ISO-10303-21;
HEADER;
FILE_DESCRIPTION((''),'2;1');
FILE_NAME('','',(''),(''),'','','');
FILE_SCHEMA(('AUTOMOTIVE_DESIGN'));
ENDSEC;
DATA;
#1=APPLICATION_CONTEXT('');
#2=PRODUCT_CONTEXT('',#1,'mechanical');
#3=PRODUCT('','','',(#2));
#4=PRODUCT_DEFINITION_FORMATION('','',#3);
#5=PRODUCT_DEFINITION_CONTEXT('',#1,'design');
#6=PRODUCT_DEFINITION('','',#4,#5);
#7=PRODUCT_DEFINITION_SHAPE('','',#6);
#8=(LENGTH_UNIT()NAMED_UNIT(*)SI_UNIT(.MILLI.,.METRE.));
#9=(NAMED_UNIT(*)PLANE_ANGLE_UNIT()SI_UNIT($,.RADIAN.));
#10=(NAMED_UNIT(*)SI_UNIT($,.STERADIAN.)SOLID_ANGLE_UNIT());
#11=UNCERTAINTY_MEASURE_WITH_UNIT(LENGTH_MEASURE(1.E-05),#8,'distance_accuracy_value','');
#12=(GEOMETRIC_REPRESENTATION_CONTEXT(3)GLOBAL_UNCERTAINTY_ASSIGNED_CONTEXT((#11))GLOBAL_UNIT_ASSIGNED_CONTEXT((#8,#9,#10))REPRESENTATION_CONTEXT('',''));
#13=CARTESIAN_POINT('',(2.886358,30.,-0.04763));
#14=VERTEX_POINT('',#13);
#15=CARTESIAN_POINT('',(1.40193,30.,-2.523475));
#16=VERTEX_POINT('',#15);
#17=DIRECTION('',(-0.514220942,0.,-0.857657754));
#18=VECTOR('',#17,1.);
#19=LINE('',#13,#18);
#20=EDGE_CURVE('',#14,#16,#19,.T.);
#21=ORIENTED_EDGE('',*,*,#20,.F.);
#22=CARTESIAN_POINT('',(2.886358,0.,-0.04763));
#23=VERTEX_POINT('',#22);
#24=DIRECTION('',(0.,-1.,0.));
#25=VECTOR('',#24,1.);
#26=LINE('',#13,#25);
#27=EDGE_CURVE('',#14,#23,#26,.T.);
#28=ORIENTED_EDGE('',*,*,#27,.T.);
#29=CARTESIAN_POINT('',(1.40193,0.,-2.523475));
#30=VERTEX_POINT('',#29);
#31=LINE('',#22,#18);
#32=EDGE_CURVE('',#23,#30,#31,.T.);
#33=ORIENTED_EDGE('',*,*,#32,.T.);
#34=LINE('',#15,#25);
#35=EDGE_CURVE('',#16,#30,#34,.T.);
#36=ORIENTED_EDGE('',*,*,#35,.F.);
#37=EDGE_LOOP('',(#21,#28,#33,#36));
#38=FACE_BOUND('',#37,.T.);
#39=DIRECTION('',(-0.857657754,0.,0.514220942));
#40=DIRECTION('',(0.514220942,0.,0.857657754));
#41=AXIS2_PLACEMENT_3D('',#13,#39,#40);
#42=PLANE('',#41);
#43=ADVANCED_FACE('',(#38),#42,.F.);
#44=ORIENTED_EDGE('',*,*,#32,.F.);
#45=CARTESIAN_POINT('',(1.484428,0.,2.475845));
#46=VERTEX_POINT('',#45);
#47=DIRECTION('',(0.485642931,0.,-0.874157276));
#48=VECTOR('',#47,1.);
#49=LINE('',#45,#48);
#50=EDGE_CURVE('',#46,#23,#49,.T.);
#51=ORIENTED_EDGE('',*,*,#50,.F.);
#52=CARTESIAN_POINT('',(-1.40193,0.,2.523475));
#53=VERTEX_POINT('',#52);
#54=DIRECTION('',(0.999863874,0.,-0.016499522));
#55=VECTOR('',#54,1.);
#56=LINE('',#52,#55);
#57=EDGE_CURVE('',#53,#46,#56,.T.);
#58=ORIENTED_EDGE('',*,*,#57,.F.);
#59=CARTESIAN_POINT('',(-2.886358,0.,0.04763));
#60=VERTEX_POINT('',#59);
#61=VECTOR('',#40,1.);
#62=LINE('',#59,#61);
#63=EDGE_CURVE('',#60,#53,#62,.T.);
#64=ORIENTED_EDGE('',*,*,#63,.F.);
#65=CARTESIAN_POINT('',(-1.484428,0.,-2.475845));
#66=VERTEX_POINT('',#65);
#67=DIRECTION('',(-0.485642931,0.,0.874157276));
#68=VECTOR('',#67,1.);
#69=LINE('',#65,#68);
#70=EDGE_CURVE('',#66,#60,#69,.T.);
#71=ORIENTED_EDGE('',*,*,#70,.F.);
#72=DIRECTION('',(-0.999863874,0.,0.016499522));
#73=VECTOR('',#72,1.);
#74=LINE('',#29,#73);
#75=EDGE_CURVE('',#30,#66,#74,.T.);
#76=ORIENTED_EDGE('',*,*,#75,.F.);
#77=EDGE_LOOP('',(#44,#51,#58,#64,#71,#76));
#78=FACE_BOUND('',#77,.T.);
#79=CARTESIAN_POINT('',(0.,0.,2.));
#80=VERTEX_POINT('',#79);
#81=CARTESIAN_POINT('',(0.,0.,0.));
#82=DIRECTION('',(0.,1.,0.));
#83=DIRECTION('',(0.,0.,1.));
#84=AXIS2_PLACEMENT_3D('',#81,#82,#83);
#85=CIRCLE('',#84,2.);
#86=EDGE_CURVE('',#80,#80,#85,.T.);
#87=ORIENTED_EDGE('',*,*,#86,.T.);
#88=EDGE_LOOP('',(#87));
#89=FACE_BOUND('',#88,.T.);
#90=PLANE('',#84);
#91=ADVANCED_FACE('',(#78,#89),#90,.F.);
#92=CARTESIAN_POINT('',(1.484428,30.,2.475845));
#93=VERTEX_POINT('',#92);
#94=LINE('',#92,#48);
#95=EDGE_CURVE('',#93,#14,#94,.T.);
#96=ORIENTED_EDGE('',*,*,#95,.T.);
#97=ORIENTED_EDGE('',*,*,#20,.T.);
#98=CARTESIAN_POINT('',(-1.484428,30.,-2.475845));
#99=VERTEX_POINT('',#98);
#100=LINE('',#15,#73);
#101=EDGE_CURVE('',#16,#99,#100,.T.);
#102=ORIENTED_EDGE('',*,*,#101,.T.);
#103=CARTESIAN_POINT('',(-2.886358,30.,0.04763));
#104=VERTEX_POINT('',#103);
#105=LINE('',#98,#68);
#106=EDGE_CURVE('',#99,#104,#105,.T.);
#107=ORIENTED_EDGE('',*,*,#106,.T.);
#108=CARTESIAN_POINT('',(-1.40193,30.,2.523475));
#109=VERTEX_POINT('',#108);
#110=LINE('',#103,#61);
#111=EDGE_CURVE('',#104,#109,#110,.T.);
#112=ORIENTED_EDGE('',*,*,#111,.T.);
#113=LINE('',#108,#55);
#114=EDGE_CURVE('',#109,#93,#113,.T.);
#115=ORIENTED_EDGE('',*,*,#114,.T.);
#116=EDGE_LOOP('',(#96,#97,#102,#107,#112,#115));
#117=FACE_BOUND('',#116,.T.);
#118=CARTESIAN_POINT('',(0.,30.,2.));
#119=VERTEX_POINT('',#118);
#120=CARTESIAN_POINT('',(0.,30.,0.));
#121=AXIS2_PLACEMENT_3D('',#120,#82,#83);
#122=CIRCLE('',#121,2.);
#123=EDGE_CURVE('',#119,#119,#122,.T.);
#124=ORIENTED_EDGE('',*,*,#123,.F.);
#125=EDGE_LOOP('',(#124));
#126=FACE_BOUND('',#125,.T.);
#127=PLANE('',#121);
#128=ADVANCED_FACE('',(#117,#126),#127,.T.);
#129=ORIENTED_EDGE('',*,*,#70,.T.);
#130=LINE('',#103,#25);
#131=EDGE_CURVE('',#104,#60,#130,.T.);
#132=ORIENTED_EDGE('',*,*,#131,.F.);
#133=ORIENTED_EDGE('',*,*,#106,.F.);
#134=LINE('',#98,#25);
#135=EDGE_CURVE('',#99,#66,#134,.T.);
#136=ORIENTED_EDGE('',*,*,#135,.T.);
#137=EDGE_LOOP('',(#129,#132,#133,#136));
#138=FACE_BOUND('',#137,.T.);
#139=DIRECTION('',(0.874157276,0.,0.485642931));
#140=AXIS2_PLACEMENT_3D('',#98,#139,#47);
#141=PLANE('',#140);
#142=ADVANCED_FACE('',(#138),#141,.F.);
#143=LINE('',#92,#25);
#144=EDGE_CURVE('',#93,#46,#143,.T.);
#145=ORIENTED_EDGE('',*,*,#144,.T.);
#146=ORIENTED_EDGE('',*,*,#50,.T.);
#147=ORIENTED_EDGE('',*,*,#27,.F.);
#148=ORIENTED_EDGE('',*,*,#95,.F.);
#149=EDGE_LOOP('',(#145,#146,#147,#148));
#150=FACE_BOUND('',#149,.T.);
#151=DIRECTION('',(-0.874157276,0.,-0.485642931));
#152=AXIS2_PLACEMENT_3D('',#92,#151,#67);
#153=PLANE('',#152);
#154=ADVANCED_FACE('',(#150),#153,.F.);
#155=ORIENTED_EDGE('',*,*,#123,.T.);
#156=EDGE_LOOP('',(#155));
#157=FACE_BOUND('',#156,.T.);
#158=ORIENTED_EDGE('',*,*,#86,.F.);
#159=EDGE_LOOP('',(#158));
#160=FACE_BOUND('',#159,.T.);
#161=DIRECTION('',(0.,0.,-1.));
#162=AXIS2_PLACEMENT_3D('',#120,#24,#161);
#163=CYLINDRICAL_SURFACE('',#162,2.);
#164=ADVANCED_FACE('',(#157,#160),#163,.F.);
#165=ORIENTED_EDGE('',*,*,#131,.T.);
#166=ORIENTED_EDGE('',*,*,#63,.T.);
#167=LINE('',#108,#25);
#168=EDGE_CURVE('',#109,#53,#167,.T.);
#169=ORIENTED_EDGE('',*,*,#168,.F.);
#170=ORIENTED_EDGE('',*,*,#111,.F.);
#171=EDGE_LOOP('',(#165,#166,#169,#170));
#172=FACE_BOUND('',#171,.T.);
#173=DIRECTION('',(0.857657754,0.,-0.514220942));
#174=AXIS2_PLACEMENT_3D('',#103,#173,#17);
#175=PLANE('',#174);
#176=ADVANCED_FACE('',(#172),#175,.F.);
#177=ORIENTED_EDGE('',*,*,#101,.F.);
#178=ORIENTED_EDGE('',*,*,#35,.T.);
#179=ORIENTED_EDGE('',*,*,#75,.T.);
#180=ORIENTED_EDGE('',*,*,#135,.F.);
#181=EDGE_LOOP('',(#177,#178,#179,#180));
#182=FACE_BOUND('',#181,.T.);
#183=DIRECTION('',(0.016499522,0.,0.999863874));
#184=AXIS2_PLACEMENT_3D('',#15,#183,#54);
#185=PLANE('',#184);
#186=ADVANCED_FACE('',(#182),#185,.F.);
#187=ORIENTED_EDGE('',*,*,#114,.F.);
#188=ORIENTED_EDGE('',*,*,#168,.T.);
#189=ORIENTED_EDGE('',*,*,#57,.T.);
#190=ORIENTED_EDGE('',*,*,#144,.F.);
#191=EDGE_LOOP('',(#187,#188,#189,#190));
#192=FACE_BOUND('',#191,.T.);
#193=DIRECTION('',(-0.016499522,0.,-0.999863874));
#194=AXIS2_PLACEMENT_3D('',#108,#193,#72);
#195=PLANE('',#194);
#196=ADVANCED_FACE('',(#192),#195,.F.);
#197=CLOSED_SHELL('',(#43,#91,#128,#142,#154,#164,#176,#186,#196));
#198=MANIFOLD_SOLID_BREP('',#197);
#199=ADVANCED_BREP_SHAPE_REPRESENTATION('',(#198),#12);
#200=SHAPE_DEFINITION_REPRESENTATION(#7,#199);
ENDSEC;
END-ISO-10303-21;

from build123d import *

# Parameters (mm, degrees)
SKETCH_1_R      = 2
EXTRUDE_1_DEPTH = 30


with BuildPart() as part:
    # 草图1 → 凸台-拉伸1 (new body)
    with BuildSketch(Plane(origin=(0, 0, 0), x_dir=(1, 0, 0), z_dir=(0, 1, 0))):
        Polygon((1.401930385, 2.523474693), (-1.484427998, 2.475844675), (-2.886358383, -0.047630019), (-1.401930385, -2.523474693), (1.484427998, -2.475844675), (2.886358383, 0.047630019), align=None)
        Circle(SKETCH_1_R, mode=Mode.SUBTRACT)
    extrude(amount=EXTRUDE_1_DEPTH)


solid = part.part
